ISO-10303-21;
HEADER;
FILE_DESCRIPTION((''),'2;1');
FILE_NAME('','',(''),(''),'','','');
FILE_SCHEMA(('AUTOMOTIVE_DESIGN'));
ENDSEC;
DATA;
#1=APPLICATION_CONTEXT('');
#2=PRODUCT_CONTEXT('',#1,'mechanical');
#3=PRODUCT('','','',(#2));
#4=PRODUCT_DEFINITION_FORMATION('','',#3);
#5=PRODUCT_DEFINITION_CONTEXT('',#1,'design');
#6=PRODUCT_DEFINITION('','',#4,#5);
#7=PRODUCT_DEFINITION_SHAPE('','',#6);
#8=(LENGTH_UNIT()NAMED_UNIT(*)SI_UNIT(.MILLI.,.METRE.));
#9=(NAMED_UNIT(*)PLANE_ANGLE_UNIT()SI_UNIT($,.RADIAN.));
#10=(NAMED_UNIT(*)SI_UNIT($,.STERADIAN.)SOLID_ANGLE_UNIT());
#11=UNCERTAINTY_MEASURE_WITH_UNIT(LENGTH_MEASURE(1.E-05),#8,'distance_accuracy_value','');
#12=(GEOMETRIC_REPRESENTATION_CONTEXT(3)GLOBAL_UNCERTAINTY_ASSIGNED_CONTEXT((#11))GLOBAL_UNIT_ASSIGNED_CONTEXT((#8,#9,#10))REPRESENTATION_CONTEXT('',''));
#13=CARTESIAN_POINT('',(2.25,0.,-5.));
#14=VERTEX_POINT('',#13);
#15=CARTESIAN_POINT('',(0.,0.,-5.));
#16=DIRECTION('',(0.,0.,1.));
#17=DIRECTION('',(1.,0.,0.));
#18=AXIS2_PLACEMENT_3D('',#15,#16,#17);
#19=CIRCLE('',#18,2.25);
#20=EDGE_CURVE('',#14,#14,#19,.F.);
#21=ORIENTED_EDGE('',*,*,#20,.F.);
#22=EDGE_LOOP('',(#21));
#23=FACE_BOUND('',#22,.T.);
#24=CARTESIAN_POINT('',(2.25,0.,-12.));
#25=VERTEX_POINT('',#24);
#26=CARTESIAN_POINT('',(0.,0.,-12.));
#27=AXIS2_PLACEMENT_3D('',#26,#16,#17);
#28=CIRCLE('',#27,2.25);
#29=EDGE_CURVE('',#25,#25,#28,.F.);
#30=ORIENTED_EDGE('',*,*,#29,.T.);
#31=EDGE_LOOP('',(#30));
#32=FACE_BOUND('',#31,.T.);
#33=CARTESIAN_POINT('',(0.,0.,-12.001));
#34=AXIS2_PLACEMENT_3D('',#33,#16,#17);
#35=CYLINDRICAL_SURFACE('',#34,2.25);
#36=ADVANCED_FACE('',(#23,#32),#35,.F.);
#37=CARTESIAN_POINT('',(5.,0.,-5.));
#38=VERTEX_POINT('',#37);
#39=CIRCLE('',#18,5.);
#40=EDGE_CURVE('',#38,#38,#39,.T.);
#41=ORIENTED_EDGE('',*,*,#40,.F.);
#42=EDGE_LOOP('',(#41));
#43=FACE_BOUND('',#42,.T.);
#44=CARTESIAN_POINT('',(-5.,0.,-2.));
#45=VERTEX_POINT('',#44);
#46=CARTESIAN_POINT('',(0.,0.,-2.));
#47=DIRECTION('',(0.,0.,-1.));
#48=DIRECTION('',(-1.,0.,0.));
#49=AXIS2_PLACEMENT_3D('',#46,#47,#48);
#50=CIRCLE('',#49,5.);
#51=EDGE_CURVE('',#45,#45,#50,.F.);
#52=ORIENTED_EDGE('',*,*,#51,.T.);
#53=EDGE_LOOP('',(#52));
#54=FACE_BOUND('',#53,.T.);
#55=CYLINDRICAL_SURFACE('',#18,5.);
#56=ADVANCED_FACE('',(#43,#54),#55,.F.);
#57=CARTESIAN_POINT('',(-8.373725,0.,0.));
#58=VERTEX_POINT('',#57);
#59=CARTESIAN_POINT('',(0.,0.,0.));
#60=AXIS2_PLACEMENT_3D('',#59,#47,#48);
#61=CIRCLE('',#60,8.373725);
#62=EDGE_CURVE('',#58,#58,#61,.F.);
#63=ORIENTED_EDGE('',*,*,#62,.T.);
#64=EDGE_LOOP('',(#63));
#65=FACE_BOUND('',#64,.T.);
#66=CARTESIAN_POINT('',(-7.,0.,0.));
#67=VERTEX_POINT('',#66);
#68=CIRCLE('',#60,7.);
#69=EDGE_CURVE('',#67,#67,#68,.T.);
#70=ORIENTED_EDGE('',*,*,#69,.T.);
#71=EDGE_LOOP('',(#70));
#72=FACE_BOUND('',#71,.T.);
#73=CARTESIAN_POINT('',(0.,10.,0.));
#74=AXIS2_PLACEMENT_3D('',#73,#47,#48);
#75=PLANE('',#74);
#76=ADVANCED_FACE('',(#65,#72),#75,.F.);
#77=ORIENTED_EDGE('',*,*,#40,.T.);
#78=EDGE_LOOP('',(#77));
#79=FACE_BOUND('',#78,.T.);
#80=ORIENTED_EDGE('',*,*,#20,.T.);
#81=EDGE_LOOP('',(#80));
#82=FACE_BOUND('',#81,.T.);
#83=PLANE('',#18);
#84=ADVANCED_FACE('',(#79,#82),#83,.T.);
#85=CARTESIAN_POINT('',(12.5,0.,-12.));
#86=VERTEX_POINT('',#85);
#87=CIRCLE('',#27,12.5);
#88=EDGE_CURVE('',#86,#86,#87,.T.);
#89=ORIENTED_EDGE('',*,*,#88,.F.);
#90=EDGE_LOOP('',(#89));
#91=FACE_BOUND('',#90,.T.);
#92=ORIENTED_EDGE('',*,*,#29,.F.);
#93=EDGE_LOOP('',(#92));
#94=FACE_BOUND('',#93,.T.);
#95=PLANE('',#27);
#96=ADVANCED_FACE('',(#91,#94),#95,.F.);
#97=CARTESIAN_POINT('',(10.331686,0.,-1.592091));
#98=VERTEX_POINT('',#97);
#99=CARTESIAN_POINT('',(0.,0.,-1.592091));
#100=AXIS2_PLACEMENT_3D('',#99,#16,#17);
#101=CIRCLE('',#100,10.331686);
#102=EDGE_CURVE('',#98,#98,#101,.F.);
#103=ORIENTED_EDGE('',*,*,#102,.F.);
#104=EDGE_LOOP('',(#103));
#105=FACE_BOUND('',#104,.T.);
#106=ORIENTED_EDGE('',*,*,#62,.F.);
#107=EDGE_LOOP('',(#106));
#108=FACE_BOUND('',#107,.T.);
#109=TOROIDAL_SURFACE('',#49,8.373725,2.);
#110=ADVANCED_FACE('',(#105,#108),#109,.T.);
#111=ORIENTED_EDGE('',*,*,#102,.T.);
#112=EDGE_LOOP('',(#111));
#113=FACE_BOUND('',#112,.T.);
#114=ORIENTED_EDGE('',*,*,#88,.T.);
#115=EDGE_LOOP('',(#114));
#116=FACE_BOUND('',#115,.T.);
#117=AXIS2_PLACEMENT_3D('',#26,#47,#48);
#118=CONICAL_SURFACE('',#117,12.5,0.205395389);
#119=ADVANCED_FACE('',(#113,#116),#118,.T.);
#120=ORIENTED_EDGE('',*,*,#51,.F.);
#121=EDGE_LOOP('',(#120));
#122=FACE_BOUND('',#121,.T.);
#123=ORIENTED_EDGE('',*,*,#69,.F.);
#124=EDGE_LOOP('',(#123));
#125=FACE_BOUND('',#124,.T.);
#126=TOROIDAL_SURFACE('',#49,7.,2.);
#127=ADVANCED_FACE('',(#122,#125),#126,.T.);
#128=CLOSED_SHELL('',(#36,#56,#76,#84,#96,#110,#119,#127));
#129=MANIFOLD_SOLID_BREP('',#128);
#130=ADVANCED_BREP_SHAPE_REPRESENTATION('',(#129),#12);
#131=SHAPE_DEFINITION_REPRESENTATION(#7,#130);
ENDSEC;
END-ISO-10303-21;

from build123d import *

# Parameters (mm, degrees)
ENL_V_MAT_EXTRU_1_REACH = 23.366
ESQUISSE2_R             = 2.25
ESQUISSE3_R             = 5
ENL_V_MAT_EXTRU_2_DEPTH = 5
CONG_1_R                = 2


with BuildPart() as part:
    # Esquisse1 → Révolution1 (revolve)
    with BuildSketch(Plane(origin=(0, 0, 0), x_dir=(0, 0, -1), z_dir=(1, 0, 0)), mode=Mode.PRIVATE) as r_volution1_sk:
        Polygon((0, 0), (12, 0), (12, 12.5), (0, 10), align=None)
    revolve(r_volution1_sk.sketch.rotate(Axis((0, 0, 0), (0, 0, -1)), 90), axis=Axis((0, 0, 0), (0, 0, -1)))

    # Esquisse2 → Enlèv. mat.-Extru.1 (cut, up to next)
    with BuildSketch(Plane.XY, mode=Mode.PRIVATE) as enl_v_mat_extru_1_sk1:
        Circle(ESQUISSE2_R)
    enl_v_mat_extru_1_tool1 = extrude(enl_v_mat_extru_1_sk1.sketch, amount=-ENL_V_MAT_EXTRU_1_REACH, mode=Mode.PRIVATE) & part.part
    add(enl_v_mat_extru_1_tool1.solids().sort_by_distance((0, 0, 0))[0], mode=Mode.SUBTRACT)

    # Esquisse3 → Enlèv. mat.-Extru.2 (cut)
    with BuildSketch(Plane.XY):
        Circle(ESQUISSE3_R)
    extrude(amount=-ENL_V_MAT_EXTRU_2_DEPTH, mode=Mode.SUBTRACT)

    # Congé1
    cong_1_edges = [part.edges().sort_by_distance(p)[0] for p in [
        (-5, 0, 0),
        (-10, 0, 0),
    ]]
    fillet(cong_1_edges, radius=CONG_1_R)


solid = part.part
